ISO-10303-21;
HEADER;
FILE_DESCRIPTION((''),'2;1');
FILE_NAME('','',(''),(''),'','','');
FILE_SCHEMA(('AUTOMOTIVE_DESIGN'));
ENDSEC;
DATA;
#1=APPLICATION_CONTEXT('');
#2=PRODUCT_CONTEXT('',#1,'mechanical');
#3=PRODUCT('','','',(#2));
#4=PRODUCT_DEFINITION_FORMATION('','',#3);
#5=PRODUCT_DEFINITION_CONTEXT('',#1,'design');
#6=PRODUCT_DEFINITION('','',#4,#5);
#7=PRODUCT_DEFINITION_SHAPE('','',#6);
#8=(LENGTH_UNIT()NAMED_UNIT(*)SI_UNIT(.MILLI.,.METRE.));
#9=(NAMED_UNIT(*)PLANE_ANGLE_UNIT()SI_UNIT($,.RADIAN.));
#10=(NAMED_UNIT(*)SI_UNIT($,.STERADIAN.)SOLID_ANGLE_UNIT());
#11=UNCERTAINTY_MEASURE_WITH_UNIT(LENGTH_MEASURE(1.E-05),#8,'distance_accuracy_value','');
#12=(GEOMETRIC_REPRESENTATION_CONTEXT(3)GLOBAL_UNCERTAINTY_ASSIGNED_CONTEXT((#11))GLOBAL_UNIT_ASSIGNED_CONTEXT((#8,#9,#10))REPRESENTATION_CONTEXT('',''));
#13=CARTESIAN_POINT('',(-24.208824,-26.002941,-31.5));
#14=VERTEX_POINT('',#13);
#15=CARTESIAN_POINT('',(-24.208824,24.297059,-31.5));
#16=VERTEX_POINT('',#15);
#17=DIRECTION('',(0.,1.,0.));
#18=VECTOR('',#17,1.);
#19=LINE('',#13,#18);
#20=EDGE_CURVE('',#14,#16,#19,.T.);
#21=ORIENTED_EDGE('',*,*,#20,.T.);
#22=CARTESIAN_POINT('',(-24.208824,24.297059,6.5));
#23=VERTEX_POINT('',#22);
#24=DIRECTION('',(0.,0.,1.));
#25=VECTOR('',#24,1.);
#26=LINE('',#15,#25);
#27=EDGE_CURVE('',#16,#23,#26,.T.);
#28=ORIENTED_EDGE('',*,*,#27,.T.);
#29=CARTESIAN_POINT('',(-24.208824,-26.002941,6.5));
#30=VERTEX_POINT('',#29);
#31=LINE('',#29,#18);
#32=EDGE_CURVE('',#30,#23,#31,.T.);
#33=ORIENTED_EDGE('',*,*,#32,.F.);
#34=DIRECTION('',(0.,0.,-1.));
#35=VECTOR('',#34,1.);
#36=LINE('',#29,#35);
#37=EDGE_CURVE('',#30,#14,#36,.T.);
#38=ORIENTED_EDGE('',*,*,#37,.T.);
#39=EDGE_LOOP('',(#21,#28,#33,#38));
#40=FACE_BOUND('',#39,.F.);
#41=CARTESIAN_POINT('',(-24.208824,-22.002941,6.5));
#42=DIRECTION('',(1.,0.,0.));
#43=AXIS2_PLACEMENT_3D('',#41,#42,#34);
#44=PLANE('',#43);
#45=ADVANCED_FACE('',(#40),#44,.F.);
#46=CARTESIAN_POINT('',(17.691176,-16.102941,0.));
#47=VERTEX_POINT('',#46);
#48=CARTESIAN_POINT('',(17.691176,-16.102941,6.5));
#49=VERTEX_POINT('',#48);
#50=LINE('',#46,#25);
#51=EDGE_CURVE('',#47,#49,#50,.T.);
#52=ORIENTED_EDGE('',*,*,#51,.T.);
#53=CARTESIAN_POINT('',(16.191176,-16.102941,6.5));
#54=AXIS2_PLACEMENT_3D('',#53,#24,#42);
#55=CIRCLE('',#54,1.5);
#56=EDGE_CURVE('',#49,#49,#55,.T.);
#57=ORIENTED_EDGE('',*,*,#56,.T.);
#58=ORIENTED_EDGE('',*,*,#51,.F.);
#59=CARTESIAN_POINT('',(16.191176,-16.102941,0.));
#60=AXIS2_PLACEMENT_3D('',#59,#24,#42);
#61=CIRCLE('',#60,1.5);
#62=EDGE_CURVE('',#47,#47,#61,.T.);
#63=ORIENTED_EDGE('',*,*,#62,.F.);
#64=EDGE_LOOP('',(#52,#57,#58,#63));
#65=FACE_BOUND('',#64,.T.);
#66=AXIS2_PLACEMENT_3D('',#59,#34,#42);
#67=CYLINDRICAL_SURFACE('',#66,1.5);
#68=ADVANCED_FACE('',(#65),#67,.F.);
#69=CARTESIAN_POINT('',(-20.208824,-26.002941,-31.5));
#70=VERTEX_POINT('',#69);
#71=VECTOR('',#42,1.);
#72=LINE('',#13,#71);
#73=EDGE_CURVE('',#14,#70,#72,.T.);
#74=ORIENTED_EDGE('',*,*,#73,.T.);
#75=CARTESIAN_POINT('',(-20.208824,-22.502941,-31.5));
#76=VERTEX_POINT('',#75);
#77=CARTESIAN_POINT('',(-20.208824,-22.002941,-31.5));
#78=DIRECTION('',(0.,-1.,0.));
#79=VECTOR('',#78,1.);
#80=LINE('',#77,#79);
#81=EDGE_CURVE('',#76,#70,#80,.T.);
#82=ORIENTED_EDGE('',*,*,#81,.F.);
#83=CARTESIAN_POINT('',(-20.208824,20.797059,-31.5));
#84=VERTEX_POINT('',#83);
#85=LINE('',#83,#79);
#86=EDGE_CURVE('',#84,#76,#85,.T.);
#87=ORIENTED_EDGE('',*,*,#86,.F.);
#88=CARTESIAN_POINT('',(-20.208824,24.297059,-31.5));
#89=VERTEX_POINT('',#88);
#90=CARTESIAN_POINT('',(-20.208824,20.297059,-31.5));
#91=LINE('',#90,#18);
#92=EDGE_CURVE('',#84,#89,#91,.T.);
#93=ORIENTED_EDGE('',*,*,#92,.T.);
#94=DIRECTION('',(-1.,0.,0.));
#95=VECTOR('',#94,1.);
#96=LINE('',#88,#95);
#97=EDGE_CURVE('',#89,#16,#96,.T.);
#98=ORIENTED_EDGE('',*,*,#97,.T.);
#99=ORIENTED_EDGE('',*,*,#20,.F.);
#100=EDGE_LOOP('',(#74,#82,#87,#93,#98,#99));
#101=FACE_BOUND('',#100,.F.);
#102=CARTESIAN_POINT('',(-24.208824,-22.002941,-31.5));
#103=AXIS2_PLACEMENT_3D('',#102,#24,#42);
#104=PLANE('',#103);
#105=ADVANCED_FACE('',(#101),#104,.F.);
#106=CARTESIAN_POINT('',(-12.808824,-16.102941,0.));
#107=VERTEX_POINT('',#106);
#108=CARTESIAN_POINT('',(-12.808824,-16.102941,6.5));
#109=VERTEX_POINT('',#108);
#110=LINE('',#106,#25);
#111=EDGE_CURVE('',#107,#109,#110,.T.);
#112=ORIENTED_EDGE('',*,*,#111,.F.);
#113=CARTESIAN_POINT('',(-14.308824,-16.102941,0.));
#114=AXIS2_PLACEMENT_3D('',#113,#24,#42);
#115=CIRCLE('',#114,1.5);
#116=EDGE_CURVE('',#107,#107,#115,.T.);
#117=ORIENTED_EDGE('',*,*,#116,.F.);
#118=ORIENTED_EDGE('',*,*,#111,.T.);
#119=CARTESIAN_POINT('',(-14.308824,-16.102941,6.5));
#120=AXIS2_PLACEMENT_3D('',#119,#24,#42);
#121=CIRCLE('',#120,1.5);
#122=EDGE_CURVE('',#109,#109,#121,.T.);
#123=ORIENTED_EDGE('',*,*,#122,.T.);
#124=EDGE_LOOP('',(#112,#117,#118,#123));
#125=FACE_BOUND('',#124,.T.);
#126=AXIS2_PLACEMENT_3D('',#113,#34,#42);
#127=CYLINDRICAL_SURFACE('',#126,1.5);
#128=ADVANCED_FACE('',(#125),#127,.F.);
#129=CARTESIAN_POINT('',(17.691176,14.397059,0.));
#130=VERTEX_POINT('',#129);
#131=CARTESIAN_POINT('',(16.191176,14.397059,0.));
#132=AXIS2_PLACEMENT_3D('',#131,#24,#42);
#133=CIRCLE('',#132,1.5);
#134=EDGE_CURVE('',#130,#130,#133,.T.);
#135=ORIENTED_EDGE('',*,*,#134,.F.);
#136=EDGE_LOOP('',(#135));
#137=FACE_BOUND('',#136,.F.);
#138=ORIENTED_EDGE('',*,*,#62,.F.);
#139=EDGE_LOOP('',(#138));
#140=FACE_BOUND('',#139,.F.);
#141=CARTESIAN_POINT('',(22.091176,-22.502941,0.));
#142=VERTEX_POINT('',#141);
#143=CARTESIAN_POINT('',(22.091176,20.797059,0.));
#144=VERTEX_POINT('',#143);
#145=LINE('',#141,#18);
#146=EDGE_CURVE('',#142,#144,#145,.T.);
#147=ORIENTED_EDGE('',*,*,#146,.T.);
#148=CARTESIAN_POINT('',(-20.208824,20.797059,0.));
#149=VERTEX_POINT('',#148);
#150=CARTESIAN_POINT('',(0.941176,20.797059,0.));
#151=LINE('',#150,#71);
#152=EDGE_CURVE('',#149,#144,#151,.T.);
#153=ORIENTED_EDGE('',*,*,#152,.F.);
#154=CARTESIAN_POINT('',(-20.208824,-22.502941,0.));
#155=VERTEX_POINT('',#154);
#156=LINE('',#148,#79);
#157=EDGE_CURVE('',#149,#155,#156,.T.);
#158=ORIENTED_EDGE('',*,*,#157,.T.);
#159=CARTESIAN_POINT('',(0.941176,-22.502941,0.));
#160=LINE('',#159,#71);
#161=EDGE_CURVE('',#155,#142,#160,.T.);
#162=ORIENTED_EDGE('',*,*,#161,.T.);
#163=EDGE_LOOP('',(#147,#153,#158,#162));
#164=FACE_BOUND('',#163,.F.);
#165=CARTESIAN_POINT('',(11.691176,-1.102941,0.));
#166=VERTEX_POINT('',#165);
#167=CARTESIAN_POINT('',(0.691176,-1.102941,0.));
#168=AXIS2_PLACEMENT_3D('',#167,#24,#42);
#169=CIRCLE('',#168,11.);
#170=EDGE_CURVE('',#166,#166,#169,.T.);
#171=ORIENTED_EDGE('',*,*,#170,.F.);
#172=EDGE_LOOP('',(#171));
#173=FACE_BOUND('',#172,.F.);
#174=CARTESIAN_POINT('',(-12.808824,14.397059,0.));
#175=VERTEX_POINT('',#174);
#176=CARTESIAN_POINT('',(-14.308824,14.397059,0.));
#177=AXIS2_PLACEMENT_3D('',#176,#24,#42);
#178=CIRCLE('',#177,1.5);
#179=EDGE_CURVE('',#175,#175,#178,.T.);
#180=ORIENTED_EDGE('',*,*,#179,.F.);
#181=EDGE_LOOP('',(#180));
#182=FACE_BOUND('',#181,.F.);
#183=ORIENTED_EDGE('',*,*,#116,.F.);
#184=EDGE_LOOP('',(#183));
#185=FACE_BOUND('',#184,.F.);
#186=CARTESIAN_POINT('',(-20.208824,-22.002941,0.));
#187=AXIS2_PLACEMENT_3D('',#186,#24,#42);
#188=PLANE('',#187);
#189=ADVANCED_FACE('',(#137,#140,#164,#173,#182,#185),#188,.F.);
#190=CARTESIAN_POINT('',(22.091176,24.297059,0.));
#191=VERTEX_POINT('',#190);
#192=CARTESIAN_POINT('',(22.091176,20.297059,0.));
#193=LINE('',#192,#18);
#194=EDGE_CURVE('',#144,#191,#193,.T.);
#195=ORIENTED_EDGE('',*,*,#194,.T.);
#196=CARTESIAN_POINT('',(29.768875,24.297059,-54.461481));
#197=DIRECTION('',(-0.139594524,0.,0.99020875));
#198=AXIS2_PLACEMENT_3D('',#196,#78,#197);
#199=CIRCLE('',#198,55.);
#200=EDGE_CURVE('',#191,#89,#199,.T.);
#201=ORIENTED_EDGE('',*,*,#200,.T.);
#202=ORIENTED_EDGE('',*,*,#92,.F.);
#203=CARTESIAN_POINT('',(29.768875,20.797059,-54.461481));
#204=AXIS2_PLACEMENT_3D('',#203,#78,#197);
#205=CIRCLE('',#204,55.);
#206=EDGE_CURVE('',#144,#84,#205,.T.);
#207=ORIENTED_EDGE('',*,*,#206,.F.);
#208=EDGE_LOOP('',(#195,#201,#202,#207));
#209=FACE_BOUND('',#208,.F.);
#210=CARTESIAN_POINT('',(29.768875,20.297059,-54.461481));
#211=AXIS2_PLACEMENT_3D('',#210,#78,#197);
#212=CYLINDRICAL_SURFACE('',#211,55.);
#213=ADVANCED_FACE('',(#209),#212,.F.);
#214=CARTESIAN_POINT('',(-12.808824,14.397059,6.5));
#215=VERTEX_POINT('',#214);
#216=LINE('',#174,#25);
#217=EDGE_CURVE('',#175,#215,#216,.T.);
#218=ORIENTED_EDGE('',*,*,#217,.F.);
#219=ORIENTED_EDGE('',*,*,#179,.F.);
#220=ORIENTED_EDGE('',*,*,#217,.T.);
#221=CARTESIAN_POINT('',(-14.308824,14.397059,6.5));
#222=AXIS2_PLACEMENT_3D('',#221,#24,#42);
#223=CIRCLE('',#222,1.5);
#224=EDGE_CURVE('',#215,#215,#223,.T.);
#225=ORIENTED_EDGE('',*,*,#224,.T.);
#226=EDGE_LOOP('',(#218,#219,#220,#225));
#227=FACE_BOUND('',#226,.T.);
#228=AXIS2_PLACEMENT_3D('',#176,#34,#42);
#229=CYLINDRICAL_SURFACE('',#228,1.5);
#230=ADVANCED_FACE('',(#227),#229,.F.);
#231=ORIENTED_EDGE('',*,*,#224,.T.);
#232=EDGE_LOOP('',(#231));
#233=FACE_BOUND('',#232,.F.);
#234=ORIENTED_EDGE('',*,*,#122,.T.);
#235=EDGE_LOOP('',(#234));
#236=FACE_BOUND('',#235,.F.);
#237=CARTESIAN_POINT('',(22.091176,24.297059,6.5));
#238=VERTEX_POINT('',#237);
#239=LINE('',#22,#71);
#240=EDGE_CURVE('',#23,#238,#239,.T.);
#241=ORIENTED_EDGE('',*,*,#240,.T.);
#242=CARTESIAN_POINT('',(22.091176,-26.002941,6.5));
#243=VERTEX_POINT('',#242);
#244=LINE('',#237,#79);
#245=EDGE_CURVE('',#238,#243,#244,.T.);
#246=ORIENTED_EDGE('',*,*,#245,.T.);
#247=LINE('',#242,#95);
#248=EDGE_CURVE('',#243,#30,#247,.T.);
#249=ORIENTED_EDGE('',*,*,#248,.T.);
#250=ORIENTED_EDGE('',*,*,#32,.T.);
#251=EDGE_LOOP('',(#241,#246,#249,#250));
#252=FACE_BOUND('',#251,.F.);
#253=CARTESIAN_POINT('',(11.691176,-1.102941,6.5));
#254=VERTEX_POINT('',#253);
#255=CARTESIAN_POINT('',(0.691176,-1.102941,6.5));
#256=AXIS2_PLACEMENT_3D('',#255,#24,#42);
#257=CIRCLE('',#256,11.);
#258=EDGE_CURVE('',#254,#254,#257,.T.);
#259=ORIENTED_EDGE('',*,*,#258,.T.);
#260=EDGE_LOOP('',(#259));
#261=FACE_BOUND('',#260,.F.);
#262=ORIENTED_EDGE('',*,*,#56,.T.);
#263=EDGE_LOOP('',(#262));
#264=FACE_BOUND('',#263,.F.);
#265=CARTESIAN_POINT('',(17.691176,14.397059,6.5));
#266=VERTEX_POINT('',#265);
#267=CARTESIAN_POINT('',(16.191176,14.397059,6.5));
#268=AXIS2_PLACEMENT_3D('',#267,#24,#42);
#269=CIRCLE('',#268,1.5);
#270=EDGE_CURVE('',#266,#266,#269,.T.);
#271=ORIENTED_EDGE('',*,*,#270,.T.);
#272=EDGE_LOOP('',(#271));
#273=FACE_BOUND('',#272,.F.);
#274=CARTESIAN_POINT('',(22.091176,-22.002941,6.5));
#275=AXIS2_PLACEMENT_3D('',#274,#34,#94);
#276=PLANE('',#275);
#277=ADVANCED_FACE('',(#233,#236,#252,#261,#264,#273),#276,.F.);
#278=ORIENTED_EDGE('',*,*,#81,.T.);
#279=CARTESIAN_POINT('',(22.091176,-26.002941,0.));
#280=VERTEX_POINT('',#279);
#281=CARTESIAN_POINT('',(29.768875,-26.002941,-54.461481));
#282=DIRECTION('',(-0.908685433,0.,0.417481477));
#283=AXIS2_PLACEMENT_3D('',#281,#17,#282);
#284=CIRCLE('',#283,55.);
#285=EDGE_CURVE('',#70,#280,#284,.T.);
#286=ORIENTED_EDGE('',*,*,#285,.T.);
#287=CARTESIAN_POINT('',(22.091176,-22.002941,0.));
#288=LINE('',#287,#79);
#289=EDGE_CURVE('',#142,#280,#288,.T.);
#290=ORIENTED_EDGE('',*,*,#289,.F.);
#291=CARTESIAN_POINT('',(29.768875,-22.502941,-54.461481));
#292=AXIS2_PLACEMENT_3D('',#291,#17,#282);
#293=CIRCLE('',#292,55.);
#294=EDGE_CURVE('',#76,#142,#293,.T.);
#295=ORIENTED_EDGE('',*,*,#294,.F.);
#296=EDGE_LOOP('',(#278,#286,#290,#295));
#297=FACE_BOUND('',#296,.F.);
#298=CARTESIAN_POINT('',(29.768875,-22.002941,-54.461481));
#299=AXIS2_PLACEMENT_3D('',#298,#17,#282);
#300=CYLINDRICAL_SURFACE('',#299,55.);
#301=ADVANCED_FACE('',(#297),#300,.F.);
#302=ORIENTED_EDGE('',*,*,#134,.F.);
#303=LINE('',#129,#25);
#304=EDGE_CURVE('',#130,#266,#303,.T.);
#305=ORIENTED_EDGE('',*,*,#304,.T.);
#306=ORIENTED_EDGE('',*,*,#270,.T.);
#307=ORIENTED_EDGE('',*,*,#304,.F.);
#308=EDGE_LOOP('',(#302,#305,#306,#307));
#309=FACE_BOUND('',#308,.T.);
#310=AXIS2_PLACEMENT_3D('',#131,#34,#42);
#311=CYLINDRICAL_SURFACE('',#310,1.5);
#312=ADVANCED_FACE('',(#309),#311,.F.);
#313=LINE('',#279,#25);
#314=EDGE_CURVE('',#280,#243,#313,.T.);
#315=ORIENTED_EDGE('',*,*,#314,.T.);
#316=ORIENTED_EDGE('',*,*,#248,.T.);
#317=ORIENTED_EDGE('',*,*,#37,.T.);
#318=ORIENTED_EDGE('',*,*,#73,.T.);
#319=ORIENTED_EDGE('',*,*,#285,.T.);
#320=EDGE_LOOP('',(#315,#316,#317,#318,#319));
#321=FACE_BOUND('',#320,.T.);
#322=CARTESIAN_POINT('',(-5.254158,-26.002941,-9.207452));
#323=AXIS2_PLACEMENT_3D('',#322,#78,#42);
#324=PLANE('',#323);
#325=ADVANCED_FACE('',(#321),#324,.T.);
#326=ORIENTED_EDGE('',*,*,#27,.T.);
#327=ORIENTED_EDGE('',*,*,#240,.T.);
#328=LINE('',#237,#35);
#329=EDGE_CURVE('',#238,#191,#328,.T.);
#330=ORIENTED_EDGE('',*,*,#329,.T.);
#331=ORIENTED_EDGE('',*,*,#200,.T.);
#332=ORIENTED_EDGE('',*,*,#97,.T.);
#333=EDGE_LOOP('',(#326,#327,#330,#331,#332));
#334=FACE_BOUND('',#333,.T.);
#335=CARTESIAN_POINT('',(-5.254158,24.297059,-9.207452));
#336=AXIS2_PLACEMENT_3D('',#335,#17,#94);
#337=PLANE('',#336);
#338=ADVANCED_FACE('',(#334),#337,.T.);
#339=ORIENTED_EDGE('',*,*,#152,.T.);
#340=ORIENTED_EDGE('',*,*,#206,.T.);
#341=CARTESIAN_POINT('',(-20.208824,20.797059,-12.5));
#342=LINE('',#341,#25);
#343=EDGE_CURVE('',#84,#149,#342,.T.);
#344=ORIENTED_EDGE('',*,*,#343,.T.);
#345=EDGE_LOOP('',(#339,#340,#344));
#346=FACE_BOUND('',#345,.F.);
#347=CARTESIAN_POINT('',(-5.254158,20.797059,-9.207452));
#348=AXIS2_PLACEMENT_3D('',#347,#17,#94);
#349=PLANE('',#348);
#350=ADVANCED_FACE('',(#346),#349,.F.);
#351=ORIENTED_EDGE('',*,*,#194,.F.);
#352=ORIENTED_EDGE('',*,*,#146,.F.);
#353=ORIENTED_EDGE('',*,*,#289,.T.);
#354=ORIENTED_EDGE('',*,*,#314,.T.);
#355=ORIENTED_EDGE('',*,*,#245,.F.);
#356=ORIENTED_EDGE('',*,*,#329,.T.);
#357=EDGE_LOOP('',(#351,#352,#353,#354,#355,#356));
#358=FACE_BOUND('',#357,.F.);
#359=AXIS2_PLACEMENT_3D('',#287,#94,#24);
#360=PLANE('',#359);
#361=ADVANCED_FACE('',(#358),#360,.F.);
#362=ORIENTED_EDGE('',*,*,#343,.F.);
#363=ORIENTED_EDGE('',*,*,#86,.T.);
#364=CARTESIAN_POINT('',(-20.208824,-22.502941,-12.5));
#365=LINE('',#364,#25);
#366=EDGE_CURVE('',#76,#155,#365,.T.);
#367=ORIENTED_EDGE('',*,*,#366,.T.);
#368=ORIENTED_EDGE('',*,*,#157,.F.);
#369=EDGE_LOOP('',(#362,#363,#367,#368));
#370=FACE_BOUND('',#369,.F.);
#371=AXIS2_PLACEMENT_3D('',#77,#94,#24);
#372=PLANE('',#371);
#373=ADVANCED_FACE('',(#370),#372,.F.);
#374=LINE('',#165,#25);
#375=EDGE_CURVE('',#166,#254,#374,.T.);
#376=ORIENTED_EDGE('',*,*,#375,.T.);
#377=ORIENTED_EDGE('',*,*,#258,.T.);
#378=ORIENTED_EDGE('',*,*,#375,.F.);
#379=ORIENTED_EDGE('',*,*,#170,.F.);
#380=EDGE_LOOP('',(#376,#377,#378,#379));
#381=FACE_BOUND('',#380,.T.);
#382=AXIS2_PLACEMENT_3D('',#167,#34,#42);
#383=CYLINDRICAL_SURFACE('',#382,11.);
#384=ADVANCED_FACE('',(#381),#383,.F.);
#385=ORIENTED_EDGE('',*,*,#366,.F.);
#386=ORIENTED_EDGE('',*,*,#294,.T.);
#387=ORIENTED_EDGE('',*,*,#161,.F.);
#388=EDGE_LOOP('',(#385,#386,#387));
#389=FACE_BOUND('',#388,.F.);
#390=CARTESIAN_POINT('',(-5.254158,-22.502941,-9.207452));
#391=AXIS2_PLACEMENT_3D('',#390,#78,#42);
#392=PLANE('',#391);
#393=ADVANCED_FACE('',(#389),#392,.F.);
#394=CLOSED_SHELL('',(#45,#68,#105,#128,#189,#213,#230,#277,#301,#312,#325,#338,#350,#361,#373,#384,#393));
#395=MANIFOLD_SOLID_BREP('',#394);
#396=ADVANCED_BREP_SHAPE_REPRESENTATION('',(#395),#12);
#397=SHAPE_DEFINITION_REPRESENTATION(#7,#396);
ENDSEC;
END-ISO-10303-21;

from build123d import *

# Parameters (mm, degrees)
F0_W     = 42.3
F0_H     = 42.3
F0_R     = 1.5
F0_R_2   = 11
F1_DEPTH = 6.5
F2_W     = 42.3
F2_H     = 38
F3_DEPTH = 4
F6_DEPTH = 4
F7_DEPTH = 4
F8_DEPTH = 0.5
F9_DEPTH = 0.5


with BuildPart() as f1:
    # F0 (on Top) → F1 (new body)
    with BuildSketch(Plane.XY):
        with Locations((0.9411764706, -0.8529411765)):
            Rectangle(F0_W, F0_H)
        with Locations((-14.3088235294, -16.1029411765)):
            Circle(F0_R, mode=Mode.SUBTRACT)
        with Locations((0.6911764706, -1.1029411765)):
            Circle(F0_R_2, mode=Mode.SUBTRACT)
        with Locations((16.1911764706, -16.1029411765)):
            Circle(F0_R, mode=Mode.SUBTRACT)
        with Locations((-14.3088235294, 14.3970588235)):
            Circle(F0_R, mode=Mode.SUBTRACT)
        with Locations((16.1911764706, 14.3970588235)):
            Circle(F0_R, mode=Mode.SUBTRACT)
    extrude(amount=F1_DEPTH)

    # F2 (on face) → F3 (join)
    with BuildSketch(Plane(origin=(-20.2088235294, 0, 0), x_dir=(0, -1, 0), z_dir=(-1, 0, 0))):
        with Locations((0.8529411765, -12.5)):
            Rectangle(F2_W, F2_H)
    extrude(amount=F3_DEPTH)

    # F5 (on face) → F6 (join)
    with BuildSketch(Plane(origin=(0, 20.2970588235, 0), x_dir=(-1, 0, 0), z_dir=(0, 1, 0))):
        with BuildLine():
            ThreePointArc((-22.0911764706, 0), (3.080762749, -10.3491101908), (20.2088235294, -31.5))
            Line((20.2088235294, -31.5), (20.2088235294, 0))
            Line((20.2088235294, 0), (-22.0911764706, 0))
        make_face()
        Polygon((20.2088235294, 0), (20.2088235294, -31.5), (24.2088235294, -31.5), (24.2088235294, 6.5), (-22.0911764706, 6.5), (-22.0911764706, 0), align=None)
    extrude(amount=F6_DEPTH)

    # F4 (on face) → F7 (join)
    with BuildSketch(Plane.XZ.offset(22.0029411765)):
        with BuildLine():
            ThreePointArc((-20.2088235294, -31.5), (-3.080762749, -10.3491101908), (22.0911764706, 0))
            Line((22.0911764706, 0), (-20.2088235294, 0))
            Line((-20.2088235294, 0), (-20.2088235294, -31.5))
        make_face()
        Polygon((-20.2088235294, 0), (22.0911764706, 0), (22.0911764706, 6.5), (-24.2088235294, 6.5), (-24.2088235294, -31.5), (-20.2088235294, -31.5), align=None)
    extrude(amount=F7_DEPTH)

    # F8 (cut): a face of the model
    f8_faces = [f1.faces().sort_by_distance(p)[0] for p in [
        (-9.1642811897, -22.0029411765, -8.7688606087),
    ]]
    extrude(f8_faces, amount=-F8_DEPTH, mode=Mode.SUBTRACT)

    # F9 (cut): a face of the model
    f9_faces = [f1.faces().sort_by_distance(p)[0] for p in [
        (-9.1642811897, 20.2970588235, -8.7688606087),
    ]]
    extrude(f9_faces, amount=-F9_DEPTH, mode=Mode.SUBTRACT)


solid = f1.part
